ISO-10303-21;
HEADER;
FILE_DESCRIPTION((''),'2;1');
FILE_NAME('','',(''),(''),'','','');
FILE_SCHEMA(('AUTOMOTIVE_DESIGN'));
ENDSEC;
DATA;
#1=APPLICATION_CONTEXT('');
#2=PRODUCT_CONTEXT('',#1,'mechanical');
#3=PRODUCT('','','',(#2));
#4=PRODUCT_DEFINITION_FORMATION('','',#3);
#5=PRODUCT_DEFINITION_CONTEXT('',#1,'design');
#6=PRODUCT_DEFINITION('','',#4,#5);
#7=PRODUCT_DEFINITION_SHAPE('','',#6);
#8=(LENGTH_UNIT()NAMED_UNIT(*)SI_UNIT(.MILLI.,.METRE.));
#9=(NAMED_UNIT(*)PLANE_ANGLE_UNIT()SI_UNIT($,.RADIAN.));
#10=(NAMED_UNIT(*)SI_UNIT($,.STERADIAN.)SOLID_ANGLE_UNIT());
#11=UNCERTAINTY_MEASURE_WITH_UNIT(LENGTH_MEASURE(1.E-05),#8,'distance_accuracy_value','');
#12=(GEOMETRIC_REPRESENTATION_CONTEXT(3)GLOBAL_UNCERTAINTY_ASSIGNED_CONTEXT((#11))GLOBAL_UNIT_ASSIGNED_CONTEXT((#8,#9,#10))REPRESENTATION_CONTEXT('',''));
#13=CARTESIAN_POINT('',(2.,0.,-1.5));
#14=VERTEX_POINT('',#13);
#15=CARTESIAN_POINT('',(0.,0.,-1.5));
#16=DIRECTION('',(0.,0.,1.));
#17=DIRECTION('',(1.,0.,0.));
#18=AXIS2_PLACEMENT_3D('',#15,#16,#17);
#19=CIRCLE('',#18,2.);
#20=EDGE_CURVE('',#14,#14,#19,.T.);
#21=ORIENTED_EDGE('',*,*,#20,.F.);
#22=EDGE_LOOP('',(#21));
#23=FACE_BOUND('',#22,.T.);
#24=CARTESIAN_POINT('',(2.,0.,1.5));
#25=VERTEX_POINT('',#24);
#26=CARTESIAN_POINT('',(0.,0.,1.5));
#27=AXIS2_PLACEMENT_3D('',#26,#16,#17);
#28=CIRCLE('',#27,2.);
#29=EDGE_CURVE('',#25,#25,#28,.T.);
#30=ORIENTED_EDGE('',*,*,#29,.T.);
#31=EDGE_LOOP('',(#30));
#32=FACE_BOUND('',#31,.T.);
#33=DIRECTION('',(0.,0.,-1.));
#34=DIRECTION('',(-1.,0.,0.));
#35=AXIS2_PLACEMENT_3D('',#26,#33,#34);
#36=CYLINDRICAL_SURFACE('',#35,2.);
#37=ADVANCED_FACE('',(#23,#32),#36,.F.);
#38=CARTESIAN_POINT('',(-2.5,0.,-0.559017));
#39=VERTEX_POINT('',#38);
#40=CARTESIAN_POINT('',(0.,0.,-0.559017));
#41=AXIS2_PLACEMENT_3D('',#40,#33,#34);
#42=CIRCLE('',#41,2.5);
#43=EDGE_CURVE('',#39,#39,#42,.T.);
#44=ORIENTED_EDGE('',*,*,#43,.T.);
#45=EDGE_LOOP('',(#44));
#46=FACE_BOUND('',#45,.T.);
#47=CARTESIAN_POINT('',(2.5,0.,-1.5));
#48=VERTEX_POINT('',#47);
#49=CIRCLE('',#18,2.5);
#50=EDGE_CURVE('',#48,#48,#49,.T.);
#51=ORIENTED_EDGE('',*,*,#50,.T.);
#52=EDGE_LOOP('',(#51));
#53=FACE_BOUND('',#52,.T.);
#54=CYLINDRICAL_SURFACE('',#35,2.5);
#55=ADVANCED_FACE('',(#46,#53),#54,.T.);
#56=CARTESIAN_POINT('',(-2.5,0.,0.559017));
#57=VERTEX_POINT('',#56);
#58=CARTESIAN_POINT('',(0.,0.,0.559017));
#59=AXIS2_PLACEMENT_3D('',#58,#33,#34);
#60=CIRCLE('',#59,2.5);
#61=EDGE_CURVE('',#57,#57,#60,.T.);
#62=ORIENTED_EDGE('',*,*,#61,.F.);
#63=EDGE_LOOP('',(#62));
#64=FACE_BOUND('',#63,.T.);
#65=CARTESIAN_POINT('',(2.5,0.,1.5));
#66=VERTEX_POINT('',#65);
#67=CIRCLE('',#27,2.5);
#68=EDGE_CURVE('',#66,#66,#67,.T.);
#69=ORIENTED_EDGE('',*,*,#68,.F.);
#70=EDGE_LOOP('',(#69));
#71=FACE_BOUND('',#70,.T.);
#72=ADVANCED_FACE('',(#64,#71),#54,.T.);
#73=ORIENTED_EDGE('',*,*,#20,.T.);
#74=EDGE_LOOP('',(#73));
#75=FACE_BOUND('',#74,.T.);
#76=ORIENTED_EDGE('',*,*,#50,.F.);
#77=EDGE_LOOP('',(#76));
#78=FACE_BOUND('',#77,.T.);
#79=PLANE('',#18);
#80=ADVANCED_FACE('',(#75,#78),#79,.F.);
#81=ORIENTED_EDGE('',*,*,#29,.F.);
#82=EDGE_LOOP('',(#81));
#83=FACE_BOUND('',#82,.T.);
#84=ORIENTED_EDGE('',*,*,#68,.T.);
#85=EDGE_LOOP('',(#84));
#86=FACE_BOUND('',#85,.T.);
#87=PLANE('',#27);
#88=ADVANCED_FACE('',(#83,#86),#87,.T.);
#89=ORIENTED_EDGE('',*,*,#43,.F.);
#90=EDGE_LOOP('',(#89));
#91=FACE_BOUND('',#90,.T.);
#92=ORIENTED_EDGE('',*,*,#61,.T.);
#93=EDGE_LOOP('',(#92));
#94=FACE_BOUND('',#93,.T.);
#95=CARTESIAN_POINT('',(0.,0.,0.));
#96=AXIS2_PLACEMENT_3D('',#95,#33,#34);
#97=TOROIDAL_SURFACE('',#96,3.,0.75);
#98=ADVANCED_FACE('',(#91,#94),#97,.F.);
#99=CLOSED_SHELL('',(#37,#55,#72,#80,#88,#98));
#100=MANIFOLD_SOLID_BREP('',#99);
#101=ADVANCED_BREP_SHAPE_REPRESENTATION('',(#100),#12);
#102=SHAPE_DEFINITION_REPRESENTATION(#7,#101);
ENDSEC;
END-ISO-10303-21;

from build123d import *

# Parameters (mm, degrees)
ESQUISSE1_R        = 2.5
ESQUISSE1_R_2      = 2
BOSS_EXTRU_1_DEPTH = 1.5


with BuildPart() as part:
    # Esquisse1 → Boss.-Extru.1 (new, symmetric)
    with BuildSketch(Plane.XY):
        Circle(ESQUISSE1_R)
        Circle(ESQUISSE1_R_2, mode=Mode.SUBTRACT)
    extrude(amount=BOSS_EXTRU_1_DEPTH, both=True)

    # Esquisse2 → Enlèvement de matière-Révolution1 (revolve, cut)
    with BuildSketch(Plane(origin=(0, 0, 0), x_dir=(1, 0, 0), z_dir=(0, 1, 0)), mode=Mode.PRIVATE) as enl_vement_de_mati_re_r_volution1_sk:
        with BuildLine():
            Line((2.5, -0.559016994), (2.5, 0.559016994))
            ThreePointArc((2.5, 0.559016994), (2.25, 0), (2.5, -0.559016994))
        make_face()
    revolve(enl_vement_de_mati_re_r_volution1_sk.sketch.rotate(Axis((0, 0, -1.5), (0, 0, 1)), 180), axis=Axis((0, 0, -1.5), (0, 0, 1)), mode=Mode.SUBTRACT)


solid = part.part
